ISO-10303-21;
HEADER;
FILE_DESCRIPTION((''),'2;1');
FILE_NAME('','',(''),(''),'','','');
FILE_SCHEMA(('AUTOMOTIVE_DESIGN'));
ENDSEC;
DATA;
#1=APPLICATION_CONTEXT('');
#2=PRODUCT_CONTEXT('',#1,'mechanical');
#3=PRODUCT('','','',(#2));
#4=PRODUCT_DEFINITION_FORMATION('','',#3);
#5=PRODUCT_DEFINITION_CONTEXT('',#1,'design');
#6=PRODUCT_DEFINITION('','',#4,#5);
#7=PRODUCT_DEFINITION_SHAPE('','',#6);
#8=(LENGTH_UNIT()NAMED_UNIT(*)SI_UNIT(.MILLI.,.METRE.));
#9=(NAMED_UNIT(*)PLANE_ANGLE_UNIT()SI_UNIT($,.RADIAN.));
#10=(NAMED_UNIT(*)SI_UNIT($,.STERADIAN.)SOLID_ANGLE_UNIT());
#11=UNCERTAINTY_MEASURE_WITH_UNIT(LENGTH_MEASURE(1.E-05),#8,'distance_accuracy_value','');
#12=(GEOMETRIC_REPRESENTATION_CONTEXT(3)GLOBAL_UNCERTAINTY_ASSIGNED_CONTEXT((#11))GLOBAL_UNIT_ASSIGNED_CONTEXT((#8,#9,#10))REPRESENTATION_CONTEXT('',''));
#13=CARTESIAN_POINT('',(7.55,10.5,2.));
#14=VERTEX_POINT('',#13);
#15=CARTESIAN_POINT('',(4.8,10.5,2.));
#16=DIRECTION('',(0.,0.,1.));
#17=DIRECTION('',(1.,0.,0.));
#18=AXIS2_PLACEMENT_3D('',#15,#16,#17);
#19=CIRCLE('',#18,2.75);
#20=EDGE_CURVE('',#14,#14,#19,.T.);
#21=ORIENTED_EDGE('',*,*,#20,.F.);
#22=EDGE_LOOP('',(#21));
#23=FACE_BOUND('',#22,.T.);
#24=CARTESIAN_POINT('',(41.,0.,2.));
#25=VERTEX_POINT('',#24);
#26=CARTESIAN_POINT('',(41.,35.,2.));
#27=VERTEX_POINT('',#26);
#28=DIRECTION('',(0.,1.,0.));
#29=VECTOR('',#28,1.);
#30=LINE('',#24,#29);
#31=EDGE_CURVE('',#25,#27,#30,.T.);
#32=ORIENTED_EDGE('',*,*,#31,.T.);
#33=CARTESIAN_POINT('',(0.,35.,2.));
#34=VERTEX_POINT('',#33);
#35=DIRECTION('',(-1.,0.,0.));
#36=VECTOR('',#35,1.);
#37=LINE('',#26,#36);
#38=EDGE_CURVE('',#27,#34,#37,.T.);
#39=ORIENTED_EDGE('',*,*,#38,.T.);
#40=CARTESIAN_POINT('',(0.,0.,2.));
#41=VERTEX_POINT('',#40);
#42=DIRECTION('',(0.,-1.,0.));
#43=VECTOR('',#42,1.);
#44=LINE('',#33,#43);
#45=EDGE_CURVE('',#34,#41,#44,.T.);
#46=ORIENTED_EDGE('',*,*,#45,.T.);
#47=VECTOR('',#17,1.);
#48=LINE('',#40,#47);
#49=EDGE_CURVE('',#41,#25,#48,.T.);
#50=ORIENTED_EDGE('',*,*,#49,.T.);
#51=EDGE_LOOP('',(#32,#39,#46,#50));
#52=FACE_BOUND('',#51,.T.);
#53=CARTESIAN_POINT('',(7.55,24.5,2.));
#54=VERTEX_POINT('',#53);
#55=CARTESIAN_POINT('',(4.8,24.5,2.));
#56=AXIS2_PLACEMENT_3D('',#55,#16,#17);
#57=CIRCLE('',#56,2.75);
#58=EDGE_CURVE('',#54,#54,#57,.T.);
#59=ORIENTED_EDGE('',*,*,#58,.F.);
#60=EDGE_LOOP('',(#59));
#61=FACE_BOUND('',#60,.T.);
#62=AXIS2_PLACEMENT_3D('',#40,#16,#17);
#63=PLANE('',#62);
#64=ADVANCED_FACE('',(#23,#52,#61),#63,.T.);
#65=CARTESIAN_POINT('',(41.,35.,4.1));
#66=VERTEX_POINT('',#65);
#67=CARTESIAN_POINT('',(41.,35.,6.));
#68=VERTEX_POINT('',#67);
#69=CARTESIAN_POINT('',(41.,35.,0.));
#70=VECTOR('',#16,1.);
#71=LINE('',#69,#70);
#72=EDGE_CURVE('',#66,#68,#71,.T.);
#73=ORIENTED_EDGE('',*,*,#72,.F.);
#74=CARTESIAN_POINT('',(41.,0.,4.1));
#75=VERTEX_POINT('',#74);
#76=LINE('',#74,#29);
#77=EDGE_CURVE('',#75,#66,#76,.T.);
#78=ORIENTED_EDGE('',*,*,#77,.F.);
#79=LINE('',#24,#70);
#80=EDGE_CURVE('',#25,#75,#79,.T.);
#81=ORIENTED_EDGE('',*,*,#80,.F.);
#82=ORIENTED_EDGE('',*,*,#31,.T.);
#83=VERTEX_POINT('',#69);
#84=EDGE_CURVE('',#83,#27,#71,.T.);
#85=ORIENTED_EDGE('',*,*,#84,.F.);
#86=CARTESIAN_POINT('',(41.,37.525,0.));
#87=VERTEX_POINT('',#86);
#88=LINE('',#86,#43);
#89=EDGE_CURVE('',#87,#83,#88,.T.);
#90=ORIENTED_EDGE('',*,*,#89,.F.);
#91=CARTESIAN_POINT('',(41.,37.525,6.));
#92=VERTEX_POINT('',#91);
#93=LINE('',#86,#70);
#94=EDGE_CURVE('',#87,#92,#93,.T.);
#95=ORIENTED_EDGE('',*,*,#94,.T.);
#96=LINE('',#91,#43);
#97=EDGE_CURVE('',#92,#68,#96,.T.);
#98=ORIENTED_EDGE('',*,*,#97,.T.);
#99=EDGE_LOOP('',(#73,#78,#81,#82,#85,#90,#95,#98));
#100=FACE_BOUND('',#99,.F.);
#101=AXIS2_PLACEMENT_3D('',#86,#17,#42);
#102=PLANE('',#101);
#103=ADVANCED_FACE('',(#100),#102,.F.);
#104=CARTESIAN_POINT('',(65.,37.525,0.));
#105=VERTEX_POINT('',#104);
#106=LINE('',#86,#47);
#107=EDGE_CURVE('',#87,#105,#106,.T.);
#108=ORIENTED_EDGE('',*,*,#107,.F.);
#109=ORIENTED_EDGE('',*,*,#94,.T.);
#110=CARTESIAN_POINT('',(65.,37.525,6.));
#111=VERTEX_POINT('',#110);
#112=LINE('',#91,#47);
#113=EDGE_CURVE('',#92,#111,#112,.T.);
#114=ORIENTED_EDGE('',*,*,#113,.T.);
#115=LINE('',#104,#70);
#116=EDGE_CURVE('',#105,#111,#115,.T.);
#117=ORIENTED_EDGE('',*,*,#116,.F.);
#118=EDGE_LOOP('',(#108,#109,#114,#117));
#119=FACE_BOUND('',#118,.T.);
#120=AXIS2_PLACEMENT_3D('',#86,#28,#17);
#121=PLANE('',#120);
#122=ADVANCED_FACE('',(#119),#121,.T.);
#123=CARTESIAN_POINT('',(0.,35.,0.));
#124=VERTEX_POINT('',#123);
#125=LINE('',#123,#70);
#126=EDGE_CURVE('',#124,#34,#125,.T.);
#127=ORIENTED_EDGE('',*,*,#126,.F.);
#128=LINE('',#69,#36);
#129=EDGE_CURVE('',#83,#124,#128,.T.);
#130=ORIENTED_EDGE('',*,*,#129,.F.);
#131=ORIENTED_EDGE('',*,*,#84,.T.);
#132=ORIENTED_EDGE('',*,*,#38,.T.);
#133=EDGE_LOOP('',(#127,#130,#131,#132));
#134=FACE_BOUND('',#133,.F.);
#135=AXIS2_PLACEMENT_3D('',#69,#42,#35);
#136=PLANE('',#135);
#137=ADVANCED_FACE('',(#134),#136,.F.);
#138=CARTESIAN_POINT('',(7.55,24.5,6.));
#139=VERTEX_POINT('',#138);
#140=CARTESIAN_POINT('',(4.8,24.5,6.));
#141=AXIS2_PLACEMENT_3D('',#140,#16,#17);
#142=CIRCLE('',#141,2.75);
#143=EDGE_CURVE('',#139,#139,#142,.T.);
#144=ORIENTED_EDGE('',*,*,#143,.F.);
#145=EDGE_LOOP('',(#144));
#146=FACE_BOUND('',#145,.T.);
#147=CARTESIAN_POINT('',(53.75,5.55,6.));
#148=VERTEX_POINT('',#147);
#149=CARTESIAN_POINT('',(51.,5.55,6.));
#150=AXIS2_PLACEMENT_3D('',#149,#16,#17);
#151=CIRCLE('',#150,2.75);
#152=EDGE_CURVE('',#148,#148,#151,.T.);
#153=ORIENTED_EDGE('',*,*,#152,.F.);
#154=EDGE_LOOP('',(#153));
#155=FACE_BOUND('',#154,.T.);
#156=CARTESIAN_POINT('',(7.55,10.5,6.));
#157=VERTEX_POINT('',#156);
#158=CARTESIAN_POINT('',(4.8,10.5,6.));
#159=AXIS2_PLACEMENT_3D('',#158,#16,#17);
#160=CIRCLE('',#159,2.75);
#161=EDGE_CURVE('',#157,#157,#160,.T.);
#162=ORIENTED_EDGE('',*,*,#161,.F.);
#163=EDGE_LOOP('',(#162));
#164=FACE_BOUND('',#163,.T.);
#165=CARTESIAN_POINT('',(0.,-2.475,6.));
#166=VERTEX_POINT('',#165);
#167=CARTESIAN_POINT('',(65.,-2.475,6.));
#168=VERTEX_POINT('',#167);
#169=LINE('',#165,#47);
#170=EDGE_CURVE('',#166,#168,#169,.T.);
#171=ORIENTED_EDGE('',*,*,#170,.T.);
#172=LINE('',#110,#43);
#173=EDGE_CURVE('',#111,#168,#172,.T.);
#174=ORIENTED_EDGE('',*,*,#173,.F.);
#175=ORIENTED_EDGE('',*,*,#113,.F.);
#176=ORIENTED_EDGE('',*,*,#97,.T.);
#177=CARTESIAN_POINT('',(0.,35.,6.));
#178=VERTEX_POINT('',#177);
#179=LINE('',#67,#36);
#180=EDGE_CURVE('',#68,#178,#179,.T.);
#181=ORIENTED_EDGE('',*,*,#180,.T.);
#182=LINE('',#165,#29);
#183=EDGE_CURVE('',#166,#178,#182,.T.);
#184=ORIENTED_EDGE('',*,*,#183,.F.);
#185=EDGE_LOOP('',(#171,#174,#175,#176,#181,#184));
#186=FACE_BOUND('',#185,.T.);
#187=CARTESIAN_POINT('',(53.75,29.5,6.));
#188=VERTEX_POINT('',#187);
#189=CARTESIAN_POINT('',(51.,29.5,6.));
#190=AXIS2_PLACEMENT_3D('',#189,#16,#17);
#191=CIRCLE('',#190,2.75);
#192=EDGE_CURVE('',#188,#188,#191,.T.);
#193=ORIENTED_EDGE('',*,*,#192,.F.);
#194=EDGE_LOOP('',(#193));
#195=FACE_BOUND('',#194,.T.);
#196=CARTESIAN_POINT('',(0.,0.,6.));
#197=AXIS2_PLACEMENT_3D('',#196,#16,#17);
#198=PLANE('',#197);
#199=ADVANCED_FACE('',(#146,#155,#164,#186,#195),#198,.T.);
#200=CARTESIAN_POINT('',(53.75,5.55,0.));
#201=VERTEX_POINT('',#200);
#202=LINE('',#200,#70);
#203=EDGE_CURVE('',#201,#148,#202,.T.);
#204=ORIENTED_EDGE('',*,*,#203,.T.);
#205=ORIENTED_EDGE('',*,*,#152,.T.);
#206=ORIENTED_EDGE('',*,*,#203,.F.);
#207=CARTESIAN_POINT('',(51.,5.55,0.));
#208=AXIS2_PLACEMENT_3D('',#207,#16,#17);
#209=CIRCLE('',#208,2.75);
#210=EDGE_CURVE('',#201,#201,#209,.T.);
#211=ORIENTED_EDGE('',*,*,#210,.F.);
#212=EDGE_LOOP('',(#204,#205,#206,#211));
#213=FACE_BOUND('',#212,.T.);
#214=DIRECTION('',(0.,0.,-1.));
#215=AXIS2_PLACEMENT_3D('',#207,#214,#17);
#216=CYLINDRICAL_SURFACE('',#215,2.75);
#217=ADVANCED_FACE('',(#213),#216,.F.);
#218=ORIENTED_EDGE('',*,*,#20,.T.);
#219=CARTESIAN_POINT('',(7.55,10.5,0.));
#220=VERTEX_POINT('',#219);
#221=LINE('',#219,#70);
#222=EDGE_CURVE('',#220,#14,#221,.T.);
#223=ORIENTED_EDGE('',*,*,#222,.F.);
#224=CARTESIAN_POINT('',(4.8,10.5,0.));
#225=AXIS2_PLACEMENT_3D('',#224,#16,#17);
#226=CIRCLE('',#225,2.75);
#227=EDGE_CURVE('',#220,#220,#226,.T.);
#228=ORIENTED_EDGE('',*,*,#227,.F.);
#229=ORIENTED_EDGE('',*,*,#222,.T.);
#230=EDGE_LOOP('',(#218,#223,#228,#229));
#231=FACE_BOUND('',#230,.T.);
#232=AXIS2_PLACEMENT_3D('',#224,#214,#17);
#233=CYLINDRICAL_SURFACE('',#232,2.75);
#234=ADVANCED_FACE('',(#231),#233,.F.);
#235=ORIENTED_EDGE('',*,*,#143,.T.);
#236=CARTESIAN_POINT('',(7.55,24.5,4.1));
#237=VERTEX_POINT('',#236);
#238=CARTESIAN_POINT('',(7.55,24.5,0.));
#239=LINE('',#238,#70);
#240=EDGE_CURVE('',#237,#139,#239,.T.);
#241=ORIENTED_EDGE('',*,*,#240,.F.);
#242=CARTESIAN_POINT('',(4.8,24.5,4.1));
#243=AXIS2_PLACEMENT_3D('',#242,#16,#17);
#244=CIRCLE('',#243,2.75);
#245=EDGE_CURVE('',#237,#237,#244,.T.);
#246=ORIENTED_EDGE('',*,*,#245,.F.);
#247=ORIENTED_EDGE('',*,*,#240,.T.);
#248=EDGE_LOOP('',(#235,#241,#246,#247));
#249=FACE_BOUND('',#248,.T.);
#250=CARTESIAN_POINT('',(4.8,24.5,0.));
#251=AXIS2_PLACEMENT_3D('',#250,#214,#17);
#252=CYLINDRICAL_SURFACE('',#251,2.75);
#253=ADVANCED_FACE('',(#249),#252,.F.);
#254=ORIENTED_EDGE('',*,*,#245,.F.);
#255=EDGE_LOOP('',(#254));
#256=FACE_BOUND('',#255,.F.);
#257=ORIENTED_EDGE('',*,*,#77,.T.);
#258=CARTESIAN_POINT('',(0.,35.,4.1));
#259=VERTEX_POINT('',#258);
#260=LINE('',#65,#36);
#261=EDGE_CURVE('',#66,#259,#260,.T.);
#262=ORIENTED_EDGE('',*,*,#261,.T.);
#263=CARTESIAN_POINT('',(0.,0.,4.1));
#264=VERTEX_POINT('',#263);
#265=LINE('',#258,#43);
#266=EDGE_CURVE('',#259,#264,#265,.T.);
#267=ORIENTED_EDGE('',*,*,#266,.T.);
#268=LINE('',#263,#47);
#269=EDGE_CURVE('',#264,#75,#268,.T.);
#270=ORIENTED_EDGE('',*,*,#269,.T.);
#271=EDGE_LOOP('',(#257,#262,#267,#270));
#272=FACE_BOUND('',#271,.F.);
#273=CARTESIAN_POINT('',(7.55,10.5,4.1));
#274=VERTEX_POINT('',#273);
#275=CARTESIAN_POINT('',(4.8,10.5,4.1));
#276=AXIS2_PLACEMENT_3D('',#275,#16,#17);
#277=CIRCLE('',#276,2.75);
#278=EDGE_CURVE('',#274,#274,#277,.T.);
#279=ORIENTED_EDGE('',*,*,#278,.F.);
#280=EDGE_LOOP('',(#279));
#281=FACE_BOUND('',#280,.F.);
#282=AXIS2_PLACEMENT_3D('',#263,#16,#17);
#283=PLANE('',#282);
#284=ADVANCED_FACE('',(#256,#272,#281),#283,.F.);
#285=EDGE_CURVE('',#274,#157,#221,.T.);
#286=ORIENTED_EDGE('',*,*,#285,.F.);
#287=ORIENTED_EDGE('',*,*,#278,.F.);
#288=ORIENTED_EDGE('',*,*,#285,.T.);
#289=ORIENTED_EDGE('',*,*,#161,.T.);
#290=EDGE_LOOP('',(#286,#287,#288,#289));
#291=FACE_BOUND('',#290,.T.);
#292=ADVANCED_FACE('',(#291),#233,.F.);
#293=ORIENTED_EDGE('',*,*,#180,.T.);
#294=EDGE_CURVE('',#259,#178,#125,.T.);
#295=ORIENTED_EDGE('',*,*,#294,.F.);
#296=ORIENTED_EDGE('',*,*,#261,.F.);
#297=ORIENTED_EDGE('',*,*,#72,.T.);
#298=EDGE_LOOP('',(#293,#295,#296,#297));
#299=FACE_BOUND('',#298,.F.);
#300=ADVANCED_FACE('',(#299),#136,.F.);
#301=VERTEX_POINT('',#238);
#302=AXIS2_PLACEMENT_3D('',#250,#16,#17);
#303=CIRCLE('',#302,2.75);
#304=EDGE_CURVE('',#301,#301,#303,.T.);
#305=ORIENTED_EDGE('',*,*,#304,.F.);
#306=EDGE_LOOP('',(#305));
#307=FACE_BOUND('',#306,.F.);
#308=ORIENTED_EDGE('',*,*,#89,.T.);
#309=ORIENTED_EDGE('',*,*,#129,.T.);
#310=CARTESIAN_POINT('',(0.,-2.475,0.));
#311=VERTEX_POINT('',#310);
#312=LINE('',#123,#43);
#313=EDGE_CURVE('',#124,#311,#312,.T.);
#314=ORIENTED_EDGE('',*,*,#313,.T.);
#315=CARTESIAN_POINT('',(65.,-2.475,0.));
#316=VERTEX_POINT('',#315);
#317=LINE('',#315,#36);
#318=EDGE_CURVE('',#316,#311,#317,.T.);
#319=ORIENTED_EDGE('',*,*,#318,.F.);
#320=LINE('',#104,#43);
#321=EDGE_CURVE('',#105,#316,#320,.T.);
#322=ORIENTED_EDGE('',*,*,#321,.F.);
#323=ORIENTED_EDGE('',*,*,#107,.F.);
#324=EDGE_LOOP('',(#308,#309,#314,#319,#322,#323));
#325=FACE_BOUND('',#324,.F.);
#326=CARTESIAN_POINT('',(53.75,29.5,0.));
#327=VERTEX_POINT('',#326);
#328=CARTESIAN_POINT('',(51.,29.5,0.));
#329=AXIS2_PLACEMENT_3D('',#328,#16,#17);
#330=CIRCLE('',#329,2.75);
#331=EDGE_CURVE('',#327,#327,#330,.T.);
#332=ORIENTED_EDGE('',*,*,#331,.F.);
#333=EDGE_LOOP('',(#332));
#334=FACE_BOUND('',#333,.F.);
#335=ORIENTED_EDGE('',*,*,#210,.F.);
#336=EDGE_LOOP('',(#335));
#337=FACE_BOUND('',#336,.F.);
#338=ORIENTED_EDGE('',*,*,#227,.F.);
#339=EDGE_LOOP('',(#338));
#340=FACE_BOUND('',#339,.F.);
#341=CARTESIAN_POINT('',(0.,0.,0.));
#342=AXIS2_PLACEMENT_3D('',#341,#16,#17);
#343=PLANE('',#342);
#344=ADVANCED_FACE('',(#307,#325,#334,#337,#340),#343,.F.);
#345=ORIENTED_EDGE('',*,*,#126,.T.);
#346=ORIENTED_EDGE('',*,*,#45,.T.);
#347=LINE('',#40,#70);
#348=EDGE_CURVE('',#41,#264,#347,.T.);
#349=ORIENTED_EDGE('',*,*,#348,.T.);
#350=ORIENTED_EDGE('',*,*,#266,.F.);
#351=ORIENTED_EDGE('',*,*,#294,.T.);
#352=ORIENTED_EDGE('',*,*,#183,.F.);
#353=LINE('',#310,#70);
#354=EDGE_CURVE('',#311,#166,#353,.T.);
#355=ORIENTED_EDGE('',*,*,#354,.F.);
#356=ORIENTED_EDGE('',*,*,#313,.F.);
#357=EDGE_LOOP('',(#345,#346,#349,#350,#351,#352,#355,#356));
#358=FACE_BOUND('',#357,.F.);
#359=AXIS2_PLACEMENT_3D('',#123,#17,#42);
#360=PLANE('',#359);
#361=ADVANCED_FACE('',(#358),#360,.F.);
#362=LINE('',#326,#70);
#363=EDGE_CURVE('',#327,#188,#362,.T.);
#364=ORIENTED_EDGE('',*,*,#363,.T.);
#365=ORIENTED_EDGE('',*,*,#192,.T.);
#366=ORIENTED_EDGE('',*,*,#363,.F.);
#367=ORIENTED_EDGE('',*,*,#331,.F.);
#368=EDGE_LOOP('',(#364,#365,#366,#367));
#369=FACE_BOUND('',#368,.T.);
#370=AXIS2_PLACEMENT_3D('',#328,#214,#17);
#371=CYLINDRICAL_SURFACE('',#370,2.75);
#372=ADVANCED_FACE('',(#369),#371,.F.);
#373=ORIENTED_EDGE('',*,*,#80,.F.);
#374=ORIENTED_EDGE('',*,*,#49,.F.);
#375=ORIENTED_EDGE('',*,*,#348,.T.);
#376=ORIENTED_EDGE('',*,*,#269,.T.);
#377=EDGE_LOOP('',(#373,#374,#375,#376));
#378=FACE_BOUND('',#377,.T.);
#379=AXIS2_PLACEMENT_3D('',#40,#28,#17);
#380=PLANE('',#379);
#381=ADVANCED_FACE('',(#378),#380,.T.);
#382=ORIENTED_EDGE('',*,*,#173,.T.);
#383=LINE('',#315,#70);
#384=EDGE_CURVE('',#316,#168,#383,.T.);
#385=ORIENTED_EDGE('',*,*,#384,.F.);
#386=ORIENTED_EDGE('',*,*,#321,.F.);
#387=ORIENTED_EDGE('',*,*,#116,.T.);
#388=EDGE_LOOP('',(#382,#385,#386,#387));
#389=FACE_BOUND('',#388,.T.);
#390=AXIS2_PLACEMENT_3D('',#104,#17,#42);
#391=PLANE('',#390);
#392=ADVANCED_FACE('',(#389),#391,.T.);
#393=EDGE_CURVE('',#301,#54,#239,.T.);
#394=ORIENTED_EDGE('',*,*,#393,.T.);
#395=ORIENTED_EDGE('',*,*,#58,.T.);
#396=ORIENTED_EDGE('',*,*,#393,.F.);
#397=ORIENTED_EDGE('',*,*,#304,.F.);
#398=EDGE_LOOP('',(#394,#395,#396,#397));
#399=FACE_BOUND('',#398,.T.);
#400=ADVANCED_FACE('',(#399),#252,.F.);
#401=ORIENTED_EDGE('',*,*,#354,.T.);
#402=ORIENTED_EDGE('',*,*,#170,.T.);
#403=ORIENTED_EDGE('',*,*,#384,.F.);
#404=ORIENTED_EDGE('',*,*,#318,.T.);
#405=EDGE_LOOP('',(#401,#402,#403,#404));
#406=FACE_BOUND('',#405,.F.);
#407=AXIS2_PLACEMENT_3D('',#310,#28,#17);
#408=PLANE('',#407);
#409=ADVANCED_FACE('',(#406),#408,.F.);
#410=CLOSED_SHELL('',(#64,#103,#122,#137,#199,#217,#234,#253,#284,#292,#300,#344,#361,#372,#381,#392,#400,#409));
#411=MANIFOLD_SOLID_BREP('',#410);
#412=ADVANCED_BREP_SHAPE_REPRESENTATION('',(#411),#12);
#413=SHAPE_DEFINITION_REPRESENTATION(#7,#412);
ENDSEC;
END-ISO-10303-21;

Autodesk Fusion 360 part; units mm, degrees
sketch "Sketch1" plane through (0, 0, 0) normal (0, 0, 1) x (1, 0, 0)
  line L0 (0, 0) -> (41, 0)
  line L1 (41, 0) -> (41, 35)
  line L2 (41, 35) -> (0, 35)
  line L3 (0, 35) -> (0, 0)
  line L4 (0, 17.5) -> (41, 17.5) construction
  circle A0 centre (4.8, 24.5) radius 2.75
  circle A1 centre (4.8, 10.5) radius 2.75
  line L5 (4.8, 24.5) -> (4.8, 10.5) construction
  line L6 (2.05, 10.5) -> (4.8, 10.5) construction
  line L7 (41, 37.525) -> (65, 37.525)
  line L8 (65, 37.525) -> (65, -2.475)
  line L9 (65, -2.475) -> (41, -2.475)
  line L10 (41, -2.475) -> (41, 0)
  line L11 (51, 29.5) -> (51, 5.55) construction
  circle A2 centre (51, 29.5) radius 2.75
  circle A3 centre (51, 5.55) radius 2.75
  line L12 (65, 17.525) -> (51, 17.525) construction
  line L13 (41, 37.525) -> (41, 35)
  line L14 (0, 0) -> (0, -2.475)
  line L15 (0, -2.475) -> (41, -2.475)
  point P0 (2.05, 10.5)
  dimension "d1" = 41
  dimension "d2" = 35
  dimension "d3" = 14
  dimension "d7" = 40
  dimension "d8" = 10
  dimension "d9" = 5.5
  dimension "d10" = 14
  dimension "d11" = 5
  dimension "d12" = 23.95
  dimension "d13" = 4.8
  dimension "d14" = 5.5
extrude "Extrude1" add sketch "Sketch1" along normal blind 6
extrude "Extrude2" cut sketch "Sketch1" along normal blind 2.1 from surface at 2 contours L0 L1 L2 L3
equation "d3 = ( ( 9 + 19 ) / 2 ) * 1 mm"
equation "d12 = ( ( 17.5 + 30.4 ) / 2 ) * 1 mm"
equation "d15 = 2 mm + 2 mm + 2 mm"
